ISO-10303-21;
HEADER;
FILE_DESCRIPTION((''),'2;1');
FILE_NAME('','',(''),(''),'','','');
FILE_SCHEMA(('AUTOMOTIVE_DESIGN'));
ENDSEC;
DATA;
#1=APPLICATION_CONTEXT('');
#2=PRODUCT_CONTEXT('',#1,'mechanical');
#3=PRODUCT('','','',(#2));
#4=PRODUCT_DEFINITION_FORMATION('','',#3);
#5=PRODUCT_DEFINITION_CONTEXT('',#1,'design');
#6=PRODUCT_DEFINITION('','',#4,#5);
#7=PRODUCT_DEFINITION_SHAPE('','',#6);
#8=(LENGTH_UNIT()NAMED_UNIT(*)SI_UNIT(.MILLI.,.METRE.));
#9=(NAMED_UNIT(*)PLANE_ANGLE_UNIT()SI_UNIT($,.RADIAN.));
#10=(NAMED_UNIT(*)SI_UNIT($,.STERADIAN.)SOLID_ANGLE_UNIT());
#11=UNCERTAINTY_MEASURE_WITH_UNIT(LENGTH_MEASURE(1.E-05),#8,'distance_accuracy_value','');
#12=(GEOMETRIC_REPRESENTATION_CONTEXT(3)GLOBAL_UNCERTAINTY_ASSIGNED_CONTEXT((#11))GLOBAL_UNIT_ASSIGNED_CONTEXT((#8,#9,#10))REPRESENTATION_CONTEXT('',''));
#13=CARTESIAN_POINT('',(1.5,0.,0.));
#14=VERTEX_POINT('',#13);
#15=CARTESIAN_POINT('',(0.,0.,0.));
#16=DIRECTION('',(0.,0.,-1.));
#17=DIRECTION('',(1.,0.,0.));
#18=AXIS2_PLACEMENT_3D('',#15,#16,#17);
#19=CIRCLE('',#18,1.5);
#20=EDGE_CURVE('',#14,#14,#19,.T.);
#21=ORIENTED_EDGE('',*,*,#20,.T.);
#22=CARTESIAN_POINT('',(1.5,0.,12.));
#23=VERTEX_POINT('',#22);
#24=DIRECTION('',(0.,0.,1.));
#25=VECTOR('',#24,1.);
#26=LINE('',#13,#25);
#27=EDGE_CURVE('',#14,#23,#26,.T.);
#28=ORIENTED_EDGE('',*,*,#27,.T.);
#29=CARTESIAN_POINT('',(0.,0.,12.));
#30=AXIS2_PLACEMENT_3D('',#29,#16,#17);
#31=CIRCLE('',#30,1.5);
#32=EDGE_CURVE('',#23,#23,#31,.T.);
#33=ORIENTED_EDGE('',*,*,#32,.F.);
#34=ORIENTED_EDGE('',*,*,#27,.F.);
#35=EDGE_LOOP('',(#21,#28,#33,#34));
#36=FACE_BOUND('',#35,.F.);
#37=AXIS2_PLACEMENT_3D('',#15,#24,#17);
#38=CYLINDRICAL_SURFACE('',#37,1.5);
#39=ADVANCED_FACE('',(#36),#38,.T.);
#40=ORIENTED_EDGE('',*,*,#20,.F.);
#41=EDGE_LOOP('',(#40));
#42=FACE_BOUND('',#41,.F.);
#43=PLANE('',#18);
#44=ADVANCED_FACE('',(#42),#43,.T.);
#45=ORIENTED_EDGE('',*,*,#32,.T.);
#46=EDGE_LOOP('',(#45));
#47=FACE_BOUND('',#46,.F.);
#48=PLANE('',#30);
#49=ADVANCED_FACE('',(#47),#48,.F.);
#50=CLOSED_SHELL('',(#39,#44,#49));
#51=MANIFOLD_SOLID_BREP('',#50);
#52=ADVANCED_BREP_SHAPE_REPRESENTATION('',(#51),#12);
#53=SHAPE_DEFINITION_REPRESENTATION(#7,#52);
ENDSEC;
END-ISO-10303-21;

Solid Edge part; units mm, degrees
sketch "Sketch1" plane through (0, 0, 0) normal (0, -1, 0) x (1, 0, 0)
  line L0 (0, 0) -> (1.5, 0)
  line L1 (1.5, 0) -> (1.5, 12)
  line L2 (1.5, 12) -> (0, 12)
  dimension "D1" = 1.5
  dimension "D2" = 12
revolve "RevolvedProtrusion1" add sketch "Sketch1" angle 360 about axis through (0, 0, 12) along (0, 0, -1)
